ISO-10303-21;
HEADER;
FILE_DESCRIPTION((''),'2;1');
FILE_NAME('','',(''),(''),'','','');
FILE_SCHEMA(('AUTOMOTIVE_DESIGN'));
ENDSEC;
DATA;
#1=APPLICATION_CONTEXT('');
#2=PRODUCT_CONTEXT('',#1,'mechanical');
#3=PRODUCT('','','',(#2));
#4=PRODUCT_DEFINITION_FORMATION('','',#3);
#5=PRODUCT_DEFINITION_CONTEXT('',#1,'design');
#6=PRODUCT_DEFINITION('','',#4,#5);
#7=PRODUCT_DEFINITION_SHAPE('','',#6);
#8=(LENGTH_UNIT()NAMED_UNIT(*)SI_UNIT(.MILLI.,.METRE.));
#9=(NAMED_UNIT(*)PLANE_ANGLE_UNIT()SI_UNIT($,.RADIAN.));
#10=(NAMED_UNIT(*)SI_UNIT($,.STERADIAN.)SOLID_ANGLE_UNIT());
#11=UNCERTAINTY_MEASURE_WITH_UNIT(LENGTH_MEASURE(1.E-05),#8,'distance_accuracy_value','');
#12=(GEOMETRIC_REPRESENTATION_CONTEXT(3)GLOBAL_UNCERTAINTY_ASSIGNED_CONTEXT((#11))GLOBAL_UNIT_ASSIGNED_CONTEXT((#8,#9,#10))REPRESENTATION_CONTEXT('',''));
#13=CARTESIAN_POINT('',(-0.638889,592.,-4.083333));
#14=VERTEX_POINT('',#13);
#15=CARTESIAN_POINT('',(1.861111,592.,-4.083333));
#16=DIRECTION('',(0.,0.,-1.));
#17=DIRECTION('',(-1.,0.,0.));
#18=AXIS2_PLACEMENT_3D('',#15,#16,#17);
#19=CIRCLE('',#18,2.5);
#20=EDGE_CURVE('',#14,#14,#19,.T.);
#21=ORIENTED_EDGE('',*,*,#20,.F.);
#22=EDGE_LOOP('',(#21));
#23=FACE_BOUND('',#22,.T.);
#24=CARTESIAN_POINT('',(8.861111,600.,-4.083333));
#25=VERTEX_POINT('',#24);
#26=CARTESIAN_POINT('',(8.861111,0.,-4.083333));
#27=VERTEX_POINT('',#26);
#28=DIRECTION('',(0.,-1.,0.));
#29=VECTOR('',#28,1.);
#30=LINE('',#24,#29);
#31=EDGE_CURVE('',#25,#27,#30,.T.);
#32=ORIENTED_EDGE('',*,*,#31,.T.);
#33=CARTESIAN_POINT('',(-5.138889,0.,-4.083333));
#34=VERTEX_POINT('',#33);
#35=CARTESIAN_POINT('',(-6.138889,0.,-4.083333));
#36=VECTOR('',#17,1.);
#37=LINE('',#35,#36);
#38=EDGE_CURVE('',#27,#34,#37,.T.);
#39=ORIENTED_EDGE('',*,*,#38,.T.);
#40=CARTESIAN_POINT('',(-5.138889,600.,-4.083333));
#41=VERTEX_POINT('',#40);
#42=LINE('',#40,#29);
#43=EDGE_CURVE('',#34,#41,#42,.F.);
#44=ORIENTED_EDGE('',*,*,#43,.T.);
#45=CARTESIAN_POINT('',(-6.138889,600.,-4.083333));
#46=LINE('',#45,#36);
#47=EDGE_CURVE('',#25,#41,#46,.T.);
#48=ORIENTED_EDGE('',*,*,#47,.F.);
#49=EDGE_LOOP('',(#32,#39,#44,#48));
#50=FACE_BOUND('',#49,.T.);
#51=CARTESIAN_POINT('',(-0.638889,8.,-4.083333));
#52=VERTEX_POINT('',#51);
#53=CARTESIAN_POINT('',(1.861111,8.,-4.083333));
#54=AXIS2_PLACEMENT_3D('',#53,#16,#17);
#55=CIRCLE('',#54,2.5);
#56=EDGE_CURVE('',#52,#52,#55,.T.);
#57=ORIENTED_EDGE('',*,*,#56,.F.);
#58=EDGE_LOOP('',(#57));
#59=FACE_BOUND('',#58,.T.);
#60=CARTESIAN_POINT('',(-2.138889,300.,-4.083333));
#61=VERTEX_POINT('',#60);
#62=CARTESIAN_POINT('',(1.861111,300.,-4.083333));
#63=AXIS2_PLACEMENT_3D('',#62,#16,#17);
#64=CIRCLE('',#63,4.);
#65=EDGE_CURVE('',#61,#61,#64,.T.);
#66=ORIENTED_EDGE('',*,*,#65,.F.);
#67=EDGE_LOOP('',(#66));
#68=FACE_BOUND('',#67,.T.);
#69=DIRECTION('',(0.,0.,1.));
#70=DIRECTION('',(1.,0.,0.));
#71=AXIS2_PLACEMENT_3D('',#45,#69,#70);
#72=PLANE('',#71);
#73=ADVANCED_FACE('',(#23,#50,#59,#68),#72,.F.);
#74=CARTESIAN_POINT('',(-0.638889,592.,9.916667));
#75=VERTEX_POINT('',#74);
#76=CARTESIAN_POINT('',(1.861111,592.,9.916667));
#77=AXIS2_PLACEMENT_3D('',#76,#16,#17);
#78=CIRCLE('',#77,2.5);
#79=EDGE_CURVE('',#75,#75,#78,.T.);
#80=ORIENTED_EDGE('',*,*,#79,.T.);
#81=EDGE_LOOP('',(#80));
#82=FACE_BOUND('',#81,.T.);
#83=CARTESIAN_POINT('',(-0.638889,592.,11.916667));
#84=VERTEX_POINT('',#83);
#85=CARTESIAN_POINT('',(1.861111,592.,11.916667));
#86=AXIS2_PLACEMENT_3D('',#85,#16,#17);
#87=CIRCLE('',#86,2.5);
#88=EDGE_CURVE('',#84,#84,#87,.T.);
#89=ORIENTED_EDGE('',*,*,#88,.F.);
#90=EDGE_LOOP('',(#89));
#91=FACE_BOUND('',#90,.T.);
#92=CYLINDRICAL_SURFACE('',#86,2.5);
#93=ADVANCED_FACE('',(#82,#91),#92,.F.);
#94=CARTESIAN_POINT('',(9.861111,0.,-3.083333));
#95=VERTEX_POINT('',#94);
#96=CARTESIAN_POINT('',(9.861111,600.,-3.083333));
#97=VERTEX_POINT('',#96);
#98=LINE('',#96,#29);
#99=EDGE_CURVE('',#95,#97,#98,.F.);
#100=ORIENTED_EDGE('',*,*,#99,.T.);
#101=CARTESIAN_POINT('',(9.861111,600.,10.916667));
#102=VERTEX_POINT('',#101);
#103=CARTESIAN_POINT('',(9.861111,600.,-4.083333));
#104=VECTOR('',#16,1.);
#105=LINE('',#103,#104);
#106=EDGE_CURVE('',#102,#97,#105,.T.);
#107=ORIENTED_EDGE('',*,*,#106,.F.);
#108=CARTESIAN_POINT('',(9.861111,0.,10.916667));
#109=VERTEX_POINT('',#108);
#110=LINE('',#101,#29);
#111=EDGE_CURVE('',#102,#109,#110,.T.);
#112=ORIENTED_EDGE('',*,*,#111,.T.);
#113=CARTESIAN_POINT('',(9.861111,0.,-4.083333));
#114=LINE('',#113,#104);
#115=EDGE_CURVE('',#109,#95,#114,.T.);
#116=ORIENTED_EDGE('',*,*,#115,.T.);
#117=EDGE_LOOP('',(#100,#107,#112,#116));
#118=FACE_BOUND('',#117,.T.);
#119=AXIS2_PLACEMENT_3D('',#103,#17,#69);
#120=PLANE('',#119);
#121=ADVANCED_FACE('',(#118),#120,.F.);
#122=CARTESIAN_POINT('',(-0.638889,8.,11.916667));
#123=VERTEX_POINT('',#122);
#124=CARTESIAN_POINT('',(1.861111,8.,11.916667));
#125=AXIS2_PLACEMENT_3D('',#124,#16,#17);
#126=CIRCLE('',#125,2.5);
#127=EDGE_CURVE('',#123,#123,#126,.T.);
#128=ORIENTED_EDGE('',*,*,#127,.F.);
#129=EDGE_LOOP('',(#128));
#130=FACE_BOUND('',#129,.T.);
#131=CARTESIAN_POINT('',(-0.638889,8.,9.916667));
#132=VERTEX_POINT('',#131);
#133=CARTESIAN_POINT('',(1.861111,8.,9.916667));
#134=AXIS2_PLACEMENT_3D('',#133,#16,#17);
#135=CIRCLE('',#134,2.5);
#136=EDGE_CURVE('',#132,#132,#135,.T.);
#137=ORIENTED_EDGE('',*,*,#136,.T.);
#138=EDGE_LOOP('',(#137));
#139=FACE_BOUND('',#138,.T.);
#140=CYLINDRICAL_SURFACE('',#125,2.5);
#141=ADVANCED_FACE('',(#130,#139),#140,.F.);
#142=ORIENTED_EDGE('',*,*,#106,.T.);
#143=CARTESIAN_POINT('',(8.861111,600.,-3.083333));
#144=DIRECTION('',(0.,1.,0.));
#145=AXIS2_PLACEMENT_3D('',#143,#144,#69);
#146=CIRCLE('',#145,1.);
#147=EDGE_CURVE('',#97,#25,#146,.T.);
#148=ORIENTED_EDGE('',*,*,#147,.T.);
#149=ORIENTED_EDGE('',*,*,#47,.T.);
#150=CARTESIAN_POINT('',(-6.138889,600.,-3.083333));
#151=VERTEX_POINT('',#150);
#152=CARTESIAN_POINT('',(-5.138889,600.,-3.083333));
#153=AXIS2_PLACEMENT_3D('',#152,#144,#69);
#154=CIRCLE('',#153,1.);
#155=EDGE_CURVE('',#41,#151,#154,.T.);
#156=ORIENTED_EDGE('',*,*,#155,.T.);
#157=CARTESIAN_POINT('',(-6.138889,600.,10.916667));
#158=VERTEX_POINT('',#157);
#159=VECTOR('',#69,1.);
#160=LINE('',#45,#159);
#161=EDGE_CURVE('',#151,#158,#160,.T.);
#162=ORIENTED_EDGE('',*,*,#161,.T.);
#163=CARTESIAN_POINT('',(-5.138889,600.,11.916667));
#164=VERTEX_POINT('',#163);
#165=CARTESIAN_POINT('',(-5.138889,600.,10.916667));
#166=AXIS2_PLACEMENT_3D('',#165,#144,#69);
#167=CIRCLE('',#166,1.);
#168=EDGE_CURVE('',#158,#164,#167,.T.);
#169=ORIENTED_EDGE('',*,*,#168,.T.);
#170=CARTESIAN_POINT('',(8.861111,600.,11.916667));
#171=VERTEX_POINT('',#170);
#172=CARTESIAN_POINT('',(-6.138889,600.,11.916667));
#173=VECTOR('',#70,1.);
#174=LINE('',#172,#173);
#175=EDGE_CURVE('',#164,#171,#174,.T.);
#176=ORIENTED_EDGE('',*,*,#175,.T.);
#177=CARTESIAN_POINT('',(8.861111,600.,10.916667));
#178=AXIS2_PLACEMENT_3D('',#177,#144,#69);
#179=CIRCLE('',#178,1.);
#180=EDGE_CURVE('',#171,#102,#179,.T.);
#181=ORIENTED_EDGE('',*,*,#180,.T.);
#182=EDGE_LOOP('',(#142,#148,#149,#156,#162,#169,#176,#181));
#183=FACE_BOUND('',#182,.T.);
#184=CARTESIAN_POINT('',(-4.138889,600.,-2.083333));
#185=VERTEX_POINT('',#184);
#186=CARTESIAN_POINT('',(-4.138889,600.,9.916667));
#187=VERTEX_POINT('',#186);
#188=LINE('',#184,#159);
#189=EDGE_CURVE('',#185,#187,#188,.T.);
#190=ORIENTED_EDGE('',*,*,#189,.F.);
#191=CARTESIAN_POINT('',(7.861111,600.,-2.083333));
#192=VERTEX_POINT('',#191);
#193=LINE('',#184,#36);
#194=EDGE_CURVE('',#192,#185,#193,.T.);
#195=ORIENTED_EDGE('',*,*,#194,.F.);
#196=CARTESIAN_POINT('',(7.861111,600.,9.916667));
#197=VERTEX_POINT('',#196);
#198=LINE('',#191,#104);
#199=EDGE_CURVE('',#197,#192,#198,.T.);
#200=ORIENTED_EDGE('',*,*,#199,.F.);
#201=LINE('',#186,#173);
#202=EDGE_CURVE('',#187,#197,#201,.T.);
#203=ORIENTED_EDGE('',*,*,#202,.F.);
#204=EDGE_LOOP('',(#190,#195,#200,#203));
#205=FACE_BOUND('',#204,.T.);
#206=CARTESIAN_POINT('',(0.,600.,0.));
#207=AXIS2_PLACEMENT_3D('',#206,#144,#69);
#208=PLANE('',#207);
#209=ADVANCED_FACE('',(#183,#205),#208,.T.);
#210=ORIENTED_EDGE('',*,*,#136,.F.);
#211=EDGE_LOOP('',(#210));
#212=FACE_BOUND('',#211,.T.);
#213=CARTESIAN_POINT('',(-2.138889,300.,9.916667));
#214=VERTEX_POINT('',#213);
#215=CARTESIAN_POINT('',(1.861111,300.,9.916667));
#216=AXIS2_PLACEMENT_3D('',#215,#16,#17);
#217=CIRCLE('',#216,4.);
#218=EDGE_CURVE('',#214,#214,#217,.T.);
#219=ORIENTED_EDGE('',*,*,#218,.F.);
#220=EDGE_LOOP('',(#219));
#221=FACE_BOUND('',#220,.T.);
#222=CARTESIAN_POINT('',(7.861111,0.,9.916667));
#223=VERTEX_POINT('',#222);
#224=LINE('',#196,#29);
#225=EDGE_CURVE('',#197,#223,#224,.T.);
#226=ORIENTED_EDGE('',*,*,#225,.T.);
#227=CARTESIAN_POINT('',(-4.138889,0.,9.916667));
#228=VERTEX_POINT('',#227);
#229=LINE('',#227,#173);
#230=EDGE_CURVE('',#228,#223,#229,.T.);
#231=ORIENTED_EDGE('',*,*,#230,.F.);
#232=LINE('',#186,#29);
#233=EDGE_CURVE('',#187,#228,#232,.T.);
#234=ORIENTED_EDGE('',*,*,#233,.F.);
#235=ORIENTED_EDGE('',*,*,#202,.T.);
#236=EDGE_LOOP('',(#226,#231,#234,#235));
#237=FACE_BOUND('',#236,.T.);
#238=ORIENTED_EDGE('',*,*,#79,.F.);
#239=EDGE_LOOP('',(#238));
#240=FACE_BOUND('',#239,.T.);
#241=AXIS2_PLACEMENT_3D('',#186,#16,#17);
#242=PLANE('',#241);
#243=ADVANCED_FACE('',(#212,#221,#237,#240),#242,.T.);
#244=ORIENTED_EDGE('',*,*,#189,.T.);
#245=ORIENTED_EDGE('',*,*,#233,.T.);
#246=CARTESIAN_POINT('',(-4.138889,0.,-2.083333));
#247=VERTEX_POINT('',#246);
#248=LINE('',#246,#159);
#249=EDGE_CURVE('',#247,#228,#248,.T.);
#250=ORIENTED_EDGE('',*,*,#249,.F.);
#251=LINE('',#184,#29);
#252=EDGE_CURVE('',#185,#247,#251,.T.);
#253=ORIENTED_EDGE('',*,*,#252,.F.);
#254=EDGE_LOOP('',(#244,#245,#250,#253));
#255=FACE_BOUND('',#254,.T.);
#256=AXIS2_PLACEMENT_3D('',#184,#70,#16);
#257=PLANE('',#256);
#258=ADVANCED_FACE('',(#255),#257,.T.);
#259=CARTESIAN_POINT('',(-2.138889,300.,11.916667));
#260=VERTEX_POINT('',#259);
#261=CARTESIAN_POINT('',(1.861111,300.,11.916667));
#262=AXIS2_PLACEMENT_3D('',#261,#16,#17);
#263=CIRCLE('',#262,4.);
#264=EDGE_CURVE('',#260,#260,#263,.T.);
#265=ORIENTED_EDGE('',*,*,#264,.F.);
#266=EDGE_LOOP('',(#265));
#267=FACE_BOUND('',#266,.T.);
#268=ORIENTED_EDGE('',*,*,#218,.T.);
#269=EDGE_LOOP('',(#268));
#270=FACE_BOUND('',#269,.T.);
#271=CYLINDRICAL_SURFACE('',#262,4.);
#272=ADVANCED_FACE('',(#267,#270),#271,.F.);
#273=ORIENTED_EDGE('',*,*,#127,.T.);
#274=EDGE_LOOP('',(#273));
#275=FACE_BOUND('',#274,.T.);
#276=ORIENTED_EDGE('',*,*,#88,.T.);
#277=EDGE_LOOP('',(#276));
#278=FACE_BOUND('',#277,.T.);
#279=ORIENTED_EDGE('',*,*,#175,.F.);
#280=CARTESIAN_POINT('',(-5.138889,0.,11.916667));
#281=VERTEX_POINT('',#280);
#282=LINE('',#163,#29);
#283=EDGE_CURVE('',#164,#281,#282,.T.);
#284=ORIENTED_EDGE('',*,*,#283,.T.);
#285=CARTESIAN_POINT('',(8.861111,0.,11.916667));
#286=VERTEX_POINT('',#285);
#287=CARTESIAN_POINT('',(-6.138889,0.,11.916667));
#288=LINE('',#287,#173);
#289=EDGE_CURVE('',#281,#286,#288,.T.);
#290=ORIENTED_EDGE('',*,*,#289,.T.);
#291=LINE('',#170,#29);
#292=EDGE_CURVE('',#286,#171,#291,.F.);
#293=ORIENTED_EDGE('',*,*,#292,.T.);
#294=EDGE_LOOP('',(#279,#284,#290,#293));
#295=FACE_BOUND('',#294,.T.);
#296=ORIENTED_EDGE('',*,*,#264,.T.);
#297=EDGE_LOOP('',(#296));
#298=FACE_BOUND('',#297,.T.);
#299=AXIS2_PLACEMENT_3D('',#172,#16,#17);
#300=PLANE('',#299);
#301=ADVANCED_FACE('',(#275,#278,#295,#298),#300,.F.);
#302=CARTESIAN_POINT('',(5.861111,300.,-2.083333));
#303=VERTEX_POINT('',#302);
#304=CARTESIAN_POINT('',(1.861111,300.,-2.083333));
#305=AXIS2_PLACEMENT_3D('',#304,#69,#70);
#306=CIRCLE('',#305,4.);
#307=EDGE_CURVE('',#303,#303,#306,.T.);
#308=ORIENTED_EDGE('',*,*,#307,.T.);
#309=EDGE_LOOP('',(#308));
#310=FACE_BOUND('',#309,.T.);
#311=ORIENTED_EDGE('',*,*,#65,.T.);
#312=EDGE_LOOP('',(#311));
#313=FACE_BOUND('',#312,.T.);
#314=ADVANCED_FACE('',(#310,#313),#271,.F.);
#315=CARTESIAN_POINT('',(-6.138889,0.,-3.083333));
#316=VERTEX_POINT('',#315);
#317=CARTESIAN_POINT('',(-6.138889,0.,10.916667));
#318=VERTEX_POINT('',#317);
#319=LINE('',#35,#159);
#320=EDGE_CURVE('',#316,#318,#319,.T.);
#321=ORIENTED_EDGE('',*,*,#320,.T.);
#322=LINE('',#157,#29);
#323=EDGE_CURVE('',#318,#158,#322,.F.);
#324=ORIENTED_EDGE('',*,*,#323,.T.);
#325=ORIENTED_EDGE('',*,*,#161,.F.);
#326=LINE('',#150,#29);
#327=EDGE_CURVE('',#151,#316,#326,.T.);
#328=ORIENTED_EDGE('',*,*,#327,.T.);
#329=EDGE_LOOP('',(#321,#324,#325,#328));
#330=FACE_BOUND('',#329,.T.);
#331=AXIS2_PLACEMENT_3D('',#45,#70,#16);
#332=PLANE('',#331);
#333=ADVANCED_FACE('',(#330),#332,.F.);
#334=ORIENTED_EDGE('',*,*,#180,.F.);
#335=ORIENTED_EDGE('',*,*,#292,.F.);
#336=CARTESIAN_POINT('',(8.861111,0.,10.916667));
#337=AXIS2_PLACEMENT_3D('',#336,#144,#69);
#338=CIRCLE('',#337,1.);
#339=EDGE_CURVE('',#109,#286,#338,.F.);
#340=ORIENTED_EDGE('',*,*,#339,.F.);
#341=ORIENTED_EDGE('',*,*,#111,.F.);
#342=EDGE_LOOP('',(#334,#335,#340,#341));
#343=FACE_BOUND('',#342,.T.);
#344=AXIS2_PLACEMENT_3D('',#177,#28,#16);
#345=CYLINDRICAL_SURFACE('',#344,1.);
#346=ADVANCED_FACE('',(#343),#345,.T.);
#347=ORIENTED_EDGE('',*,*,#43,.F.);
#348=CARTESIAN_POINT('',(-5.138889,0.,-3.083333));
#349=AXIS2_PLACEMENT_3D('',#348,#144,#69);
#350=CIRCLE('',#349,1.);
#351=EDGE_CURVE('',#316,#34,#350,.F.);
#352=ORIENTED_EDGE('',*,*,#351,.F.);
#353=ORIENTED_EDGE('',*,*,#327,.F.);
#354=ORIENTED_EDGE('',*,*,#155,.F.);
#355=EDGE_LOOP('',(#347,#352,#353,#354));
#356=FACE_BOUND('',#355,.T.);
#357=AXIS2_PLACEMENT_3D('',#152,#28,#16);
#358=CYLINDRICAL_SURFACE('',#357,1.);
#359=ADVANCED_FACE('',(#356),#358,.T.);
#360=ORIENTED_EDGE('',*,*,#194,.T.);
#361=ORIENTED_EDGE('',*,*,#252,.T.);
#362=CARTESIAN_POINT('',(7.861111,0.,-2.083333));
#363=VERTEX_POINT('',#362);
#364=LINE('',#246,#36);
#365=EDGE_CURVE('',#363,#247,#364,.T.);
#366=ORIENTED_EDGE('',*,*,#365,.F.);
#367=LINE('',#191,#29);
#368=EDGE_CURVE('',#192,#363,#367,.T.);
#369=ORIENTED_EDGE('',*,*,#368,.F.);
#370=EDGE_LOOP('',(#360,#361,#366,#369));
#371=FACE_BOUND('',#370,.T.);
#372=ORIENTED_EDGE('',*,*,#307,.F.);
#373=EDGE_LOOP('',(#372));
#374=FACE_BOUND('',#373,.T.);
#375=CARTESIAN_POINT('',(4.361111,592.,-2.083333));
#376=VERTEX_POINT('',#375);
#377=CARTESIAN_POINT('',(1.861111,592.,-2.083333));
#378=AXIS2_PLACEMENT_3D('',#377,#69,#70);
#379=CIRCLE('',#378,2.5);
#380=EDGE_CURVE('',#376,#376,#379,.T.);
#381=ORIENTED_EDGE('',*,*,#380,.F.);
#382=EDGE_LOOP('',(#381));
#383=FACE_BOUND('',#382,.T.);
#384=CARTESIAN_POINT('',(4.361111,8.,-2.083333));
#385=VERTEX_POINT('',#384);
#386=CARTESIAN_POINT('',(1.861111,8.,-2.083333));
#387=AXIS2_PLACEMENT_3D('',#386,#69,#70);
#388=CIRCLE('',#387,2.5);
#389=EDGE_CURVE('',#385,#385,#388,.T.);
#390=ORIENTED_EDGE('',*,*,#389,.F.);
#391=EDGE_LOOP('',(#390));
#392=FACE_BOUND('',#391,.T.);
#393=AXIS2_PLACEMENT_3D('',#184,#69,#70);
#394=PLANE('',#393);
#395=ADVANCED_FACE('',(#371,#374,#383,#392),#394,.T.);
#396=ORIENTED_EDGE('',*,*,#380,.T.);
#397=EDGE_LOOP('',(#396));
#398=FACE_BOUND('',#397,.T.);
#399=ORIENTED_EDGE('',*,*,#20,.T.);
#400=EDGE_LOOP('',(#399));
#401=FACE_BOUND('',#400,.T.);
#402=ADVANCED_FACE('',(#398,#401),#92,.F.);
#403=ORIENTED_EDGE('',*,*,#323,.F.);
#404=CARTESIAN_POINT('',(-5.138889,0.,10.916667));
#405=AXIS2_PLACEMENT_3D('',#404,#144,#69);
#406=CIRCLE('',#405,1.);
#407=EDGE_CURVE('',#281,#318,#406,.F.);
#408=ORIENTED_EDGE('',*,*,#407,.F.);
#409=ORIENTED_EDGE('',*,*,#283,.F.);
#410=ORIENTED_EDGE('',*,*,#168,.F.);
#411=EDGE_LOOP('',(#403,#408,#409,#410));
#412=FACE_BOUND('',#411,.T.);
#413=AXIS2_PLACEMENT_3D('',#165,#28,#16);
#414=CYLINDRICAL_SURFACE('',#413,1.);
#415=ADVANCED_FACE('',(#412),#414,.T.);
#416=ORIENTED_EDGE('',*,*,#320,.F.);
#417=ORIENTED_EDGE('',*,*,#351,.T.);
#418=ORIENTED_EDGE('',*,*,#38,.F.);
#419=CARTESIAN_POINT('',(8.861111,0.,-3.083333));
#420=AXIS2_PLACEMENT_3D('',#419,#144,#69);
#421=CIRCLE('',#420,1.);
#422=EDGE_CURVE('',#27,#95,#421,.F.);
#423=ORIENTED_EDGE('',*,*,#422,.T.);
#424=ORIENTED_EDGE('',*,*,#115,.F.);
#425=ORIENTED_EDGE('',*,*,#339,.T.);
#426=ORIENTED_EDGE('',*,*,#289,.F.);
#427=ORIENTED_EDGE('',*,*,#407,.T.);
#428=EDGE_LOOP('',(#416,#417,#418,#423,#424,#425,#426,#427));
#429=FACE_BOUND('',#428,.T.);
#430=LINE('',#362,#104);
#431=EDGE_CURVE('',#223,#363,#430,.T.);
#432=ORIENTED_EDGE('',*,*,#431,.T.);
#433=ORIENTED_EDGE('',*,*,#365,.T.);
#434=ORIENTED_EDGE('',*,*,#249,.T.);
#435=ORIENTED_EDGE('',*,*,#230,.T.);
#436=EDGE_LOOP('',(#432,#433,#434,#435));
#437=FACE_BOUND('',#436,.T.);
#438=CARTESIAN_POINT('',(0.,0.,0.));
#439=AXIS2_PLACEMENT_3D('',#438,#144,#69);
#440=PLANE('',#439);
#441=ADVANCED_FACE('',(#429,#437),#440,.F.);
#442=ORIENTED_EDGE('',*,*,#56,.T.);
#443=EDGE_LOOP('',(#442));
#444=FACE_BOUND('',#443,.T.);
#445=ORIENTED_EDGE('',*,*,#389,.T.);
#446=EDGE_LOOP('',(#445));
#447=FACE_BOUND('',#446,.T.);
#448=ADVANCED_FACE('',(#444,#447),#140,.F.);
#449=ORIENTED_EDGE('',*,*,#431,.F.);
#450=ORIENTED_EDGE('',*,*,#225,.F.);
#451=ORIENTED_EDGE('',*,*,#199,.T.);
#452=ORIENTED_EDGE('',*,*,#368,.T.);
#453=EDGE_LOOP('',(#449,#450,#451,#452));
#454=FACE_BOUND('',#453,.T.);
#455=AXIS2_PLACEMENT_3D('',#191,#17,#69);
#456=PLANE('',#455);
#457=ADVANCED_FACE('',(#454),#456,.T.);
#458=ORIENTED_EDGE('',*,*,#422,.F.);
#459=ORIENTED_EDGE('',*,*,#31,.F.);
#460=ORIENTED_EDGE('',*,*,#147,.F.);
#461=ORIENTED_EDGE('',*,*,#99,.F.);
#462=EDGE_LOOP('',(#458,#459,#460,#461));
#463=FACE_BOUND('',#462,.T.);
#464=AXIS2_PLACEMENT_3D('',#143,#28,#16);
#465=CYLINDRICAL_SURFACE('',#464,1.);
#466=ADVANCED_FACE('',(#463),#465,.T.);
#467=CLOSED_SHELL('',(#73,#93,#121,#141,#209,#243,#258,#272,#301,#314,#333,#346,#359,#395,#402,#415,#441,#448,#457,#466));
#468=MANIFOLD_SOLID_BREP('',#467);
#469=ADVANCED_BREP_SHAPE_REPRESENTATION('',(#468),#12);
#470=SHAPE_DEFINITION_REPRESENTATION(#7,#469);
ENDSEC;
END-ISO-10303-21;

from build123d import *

# Parameters (mm, degrees)
SKETCH1_W           = 16
SKETCH1_H           = 16
SKETCH1_W_2         = 12
SKETCH1_H_2         = 12
BOSS_EXTRUDE1_DEPTH = 600
FILLET1_R           = 1
SKETCH2_R           = 2.5
SKETCH2_R_2         = 4
CUT_EXTRUDE1_DEPTH  = 16


with BuildPart() as part:
    # Sketch1 → Boss-Extrude1 (new body)
    with BuildSketch(Plane(origin=(0, 0, 0), x_dir=(1, 0, 0), z_dir=(0, 1, 0))):
        with Locations((1.861111111, -3.916666667)):
            Rectangle(SKETCH1_W, SKETCH1_H)
        with Locations((1.861111111, -3.916666667)):
            Rectangle(SKETCH1_W_2, SKETCH1_H_2, mode=Mode.SUBTRACT)
    extrude(amount=BOSS_EXTRUDE1_DEPTH)

    # Fillet1
    fillet1_edges = [part.edges().sort_by_distance(p)[0] for p in [
        (-6.138888889, 300, -4.083333333),
        (9.861111111, 300, -4.083333333),
        (9.861111111, 300, 11.916666667),
        (-6.138888889, 300, 11.916666667),
    ]]
    fillet(fillet1_edges, radius=FILLET1_R)

    # Sketch2 → Cut-Extrude1 (cut)
    with BuildSketch(Plane(origin=(0, 0, -4.083333333), x_dir=(-1, 0, 0), z_dir=(0, 0, -1))):
        with Locations((-1.861111111, 8)):
            Circle(SKETCH2_R)
        with Locations((-1.861111111, 592)):
            Circle(SKETCH2_R)
        with Locations((-1.861111111, 300)):
            Circle(SKETCH2_R_2)
    extrude(amount=-CUT_EXTRUDE1_DEPTH, mode=Mode.SUBTRACT)


solid = part.part
